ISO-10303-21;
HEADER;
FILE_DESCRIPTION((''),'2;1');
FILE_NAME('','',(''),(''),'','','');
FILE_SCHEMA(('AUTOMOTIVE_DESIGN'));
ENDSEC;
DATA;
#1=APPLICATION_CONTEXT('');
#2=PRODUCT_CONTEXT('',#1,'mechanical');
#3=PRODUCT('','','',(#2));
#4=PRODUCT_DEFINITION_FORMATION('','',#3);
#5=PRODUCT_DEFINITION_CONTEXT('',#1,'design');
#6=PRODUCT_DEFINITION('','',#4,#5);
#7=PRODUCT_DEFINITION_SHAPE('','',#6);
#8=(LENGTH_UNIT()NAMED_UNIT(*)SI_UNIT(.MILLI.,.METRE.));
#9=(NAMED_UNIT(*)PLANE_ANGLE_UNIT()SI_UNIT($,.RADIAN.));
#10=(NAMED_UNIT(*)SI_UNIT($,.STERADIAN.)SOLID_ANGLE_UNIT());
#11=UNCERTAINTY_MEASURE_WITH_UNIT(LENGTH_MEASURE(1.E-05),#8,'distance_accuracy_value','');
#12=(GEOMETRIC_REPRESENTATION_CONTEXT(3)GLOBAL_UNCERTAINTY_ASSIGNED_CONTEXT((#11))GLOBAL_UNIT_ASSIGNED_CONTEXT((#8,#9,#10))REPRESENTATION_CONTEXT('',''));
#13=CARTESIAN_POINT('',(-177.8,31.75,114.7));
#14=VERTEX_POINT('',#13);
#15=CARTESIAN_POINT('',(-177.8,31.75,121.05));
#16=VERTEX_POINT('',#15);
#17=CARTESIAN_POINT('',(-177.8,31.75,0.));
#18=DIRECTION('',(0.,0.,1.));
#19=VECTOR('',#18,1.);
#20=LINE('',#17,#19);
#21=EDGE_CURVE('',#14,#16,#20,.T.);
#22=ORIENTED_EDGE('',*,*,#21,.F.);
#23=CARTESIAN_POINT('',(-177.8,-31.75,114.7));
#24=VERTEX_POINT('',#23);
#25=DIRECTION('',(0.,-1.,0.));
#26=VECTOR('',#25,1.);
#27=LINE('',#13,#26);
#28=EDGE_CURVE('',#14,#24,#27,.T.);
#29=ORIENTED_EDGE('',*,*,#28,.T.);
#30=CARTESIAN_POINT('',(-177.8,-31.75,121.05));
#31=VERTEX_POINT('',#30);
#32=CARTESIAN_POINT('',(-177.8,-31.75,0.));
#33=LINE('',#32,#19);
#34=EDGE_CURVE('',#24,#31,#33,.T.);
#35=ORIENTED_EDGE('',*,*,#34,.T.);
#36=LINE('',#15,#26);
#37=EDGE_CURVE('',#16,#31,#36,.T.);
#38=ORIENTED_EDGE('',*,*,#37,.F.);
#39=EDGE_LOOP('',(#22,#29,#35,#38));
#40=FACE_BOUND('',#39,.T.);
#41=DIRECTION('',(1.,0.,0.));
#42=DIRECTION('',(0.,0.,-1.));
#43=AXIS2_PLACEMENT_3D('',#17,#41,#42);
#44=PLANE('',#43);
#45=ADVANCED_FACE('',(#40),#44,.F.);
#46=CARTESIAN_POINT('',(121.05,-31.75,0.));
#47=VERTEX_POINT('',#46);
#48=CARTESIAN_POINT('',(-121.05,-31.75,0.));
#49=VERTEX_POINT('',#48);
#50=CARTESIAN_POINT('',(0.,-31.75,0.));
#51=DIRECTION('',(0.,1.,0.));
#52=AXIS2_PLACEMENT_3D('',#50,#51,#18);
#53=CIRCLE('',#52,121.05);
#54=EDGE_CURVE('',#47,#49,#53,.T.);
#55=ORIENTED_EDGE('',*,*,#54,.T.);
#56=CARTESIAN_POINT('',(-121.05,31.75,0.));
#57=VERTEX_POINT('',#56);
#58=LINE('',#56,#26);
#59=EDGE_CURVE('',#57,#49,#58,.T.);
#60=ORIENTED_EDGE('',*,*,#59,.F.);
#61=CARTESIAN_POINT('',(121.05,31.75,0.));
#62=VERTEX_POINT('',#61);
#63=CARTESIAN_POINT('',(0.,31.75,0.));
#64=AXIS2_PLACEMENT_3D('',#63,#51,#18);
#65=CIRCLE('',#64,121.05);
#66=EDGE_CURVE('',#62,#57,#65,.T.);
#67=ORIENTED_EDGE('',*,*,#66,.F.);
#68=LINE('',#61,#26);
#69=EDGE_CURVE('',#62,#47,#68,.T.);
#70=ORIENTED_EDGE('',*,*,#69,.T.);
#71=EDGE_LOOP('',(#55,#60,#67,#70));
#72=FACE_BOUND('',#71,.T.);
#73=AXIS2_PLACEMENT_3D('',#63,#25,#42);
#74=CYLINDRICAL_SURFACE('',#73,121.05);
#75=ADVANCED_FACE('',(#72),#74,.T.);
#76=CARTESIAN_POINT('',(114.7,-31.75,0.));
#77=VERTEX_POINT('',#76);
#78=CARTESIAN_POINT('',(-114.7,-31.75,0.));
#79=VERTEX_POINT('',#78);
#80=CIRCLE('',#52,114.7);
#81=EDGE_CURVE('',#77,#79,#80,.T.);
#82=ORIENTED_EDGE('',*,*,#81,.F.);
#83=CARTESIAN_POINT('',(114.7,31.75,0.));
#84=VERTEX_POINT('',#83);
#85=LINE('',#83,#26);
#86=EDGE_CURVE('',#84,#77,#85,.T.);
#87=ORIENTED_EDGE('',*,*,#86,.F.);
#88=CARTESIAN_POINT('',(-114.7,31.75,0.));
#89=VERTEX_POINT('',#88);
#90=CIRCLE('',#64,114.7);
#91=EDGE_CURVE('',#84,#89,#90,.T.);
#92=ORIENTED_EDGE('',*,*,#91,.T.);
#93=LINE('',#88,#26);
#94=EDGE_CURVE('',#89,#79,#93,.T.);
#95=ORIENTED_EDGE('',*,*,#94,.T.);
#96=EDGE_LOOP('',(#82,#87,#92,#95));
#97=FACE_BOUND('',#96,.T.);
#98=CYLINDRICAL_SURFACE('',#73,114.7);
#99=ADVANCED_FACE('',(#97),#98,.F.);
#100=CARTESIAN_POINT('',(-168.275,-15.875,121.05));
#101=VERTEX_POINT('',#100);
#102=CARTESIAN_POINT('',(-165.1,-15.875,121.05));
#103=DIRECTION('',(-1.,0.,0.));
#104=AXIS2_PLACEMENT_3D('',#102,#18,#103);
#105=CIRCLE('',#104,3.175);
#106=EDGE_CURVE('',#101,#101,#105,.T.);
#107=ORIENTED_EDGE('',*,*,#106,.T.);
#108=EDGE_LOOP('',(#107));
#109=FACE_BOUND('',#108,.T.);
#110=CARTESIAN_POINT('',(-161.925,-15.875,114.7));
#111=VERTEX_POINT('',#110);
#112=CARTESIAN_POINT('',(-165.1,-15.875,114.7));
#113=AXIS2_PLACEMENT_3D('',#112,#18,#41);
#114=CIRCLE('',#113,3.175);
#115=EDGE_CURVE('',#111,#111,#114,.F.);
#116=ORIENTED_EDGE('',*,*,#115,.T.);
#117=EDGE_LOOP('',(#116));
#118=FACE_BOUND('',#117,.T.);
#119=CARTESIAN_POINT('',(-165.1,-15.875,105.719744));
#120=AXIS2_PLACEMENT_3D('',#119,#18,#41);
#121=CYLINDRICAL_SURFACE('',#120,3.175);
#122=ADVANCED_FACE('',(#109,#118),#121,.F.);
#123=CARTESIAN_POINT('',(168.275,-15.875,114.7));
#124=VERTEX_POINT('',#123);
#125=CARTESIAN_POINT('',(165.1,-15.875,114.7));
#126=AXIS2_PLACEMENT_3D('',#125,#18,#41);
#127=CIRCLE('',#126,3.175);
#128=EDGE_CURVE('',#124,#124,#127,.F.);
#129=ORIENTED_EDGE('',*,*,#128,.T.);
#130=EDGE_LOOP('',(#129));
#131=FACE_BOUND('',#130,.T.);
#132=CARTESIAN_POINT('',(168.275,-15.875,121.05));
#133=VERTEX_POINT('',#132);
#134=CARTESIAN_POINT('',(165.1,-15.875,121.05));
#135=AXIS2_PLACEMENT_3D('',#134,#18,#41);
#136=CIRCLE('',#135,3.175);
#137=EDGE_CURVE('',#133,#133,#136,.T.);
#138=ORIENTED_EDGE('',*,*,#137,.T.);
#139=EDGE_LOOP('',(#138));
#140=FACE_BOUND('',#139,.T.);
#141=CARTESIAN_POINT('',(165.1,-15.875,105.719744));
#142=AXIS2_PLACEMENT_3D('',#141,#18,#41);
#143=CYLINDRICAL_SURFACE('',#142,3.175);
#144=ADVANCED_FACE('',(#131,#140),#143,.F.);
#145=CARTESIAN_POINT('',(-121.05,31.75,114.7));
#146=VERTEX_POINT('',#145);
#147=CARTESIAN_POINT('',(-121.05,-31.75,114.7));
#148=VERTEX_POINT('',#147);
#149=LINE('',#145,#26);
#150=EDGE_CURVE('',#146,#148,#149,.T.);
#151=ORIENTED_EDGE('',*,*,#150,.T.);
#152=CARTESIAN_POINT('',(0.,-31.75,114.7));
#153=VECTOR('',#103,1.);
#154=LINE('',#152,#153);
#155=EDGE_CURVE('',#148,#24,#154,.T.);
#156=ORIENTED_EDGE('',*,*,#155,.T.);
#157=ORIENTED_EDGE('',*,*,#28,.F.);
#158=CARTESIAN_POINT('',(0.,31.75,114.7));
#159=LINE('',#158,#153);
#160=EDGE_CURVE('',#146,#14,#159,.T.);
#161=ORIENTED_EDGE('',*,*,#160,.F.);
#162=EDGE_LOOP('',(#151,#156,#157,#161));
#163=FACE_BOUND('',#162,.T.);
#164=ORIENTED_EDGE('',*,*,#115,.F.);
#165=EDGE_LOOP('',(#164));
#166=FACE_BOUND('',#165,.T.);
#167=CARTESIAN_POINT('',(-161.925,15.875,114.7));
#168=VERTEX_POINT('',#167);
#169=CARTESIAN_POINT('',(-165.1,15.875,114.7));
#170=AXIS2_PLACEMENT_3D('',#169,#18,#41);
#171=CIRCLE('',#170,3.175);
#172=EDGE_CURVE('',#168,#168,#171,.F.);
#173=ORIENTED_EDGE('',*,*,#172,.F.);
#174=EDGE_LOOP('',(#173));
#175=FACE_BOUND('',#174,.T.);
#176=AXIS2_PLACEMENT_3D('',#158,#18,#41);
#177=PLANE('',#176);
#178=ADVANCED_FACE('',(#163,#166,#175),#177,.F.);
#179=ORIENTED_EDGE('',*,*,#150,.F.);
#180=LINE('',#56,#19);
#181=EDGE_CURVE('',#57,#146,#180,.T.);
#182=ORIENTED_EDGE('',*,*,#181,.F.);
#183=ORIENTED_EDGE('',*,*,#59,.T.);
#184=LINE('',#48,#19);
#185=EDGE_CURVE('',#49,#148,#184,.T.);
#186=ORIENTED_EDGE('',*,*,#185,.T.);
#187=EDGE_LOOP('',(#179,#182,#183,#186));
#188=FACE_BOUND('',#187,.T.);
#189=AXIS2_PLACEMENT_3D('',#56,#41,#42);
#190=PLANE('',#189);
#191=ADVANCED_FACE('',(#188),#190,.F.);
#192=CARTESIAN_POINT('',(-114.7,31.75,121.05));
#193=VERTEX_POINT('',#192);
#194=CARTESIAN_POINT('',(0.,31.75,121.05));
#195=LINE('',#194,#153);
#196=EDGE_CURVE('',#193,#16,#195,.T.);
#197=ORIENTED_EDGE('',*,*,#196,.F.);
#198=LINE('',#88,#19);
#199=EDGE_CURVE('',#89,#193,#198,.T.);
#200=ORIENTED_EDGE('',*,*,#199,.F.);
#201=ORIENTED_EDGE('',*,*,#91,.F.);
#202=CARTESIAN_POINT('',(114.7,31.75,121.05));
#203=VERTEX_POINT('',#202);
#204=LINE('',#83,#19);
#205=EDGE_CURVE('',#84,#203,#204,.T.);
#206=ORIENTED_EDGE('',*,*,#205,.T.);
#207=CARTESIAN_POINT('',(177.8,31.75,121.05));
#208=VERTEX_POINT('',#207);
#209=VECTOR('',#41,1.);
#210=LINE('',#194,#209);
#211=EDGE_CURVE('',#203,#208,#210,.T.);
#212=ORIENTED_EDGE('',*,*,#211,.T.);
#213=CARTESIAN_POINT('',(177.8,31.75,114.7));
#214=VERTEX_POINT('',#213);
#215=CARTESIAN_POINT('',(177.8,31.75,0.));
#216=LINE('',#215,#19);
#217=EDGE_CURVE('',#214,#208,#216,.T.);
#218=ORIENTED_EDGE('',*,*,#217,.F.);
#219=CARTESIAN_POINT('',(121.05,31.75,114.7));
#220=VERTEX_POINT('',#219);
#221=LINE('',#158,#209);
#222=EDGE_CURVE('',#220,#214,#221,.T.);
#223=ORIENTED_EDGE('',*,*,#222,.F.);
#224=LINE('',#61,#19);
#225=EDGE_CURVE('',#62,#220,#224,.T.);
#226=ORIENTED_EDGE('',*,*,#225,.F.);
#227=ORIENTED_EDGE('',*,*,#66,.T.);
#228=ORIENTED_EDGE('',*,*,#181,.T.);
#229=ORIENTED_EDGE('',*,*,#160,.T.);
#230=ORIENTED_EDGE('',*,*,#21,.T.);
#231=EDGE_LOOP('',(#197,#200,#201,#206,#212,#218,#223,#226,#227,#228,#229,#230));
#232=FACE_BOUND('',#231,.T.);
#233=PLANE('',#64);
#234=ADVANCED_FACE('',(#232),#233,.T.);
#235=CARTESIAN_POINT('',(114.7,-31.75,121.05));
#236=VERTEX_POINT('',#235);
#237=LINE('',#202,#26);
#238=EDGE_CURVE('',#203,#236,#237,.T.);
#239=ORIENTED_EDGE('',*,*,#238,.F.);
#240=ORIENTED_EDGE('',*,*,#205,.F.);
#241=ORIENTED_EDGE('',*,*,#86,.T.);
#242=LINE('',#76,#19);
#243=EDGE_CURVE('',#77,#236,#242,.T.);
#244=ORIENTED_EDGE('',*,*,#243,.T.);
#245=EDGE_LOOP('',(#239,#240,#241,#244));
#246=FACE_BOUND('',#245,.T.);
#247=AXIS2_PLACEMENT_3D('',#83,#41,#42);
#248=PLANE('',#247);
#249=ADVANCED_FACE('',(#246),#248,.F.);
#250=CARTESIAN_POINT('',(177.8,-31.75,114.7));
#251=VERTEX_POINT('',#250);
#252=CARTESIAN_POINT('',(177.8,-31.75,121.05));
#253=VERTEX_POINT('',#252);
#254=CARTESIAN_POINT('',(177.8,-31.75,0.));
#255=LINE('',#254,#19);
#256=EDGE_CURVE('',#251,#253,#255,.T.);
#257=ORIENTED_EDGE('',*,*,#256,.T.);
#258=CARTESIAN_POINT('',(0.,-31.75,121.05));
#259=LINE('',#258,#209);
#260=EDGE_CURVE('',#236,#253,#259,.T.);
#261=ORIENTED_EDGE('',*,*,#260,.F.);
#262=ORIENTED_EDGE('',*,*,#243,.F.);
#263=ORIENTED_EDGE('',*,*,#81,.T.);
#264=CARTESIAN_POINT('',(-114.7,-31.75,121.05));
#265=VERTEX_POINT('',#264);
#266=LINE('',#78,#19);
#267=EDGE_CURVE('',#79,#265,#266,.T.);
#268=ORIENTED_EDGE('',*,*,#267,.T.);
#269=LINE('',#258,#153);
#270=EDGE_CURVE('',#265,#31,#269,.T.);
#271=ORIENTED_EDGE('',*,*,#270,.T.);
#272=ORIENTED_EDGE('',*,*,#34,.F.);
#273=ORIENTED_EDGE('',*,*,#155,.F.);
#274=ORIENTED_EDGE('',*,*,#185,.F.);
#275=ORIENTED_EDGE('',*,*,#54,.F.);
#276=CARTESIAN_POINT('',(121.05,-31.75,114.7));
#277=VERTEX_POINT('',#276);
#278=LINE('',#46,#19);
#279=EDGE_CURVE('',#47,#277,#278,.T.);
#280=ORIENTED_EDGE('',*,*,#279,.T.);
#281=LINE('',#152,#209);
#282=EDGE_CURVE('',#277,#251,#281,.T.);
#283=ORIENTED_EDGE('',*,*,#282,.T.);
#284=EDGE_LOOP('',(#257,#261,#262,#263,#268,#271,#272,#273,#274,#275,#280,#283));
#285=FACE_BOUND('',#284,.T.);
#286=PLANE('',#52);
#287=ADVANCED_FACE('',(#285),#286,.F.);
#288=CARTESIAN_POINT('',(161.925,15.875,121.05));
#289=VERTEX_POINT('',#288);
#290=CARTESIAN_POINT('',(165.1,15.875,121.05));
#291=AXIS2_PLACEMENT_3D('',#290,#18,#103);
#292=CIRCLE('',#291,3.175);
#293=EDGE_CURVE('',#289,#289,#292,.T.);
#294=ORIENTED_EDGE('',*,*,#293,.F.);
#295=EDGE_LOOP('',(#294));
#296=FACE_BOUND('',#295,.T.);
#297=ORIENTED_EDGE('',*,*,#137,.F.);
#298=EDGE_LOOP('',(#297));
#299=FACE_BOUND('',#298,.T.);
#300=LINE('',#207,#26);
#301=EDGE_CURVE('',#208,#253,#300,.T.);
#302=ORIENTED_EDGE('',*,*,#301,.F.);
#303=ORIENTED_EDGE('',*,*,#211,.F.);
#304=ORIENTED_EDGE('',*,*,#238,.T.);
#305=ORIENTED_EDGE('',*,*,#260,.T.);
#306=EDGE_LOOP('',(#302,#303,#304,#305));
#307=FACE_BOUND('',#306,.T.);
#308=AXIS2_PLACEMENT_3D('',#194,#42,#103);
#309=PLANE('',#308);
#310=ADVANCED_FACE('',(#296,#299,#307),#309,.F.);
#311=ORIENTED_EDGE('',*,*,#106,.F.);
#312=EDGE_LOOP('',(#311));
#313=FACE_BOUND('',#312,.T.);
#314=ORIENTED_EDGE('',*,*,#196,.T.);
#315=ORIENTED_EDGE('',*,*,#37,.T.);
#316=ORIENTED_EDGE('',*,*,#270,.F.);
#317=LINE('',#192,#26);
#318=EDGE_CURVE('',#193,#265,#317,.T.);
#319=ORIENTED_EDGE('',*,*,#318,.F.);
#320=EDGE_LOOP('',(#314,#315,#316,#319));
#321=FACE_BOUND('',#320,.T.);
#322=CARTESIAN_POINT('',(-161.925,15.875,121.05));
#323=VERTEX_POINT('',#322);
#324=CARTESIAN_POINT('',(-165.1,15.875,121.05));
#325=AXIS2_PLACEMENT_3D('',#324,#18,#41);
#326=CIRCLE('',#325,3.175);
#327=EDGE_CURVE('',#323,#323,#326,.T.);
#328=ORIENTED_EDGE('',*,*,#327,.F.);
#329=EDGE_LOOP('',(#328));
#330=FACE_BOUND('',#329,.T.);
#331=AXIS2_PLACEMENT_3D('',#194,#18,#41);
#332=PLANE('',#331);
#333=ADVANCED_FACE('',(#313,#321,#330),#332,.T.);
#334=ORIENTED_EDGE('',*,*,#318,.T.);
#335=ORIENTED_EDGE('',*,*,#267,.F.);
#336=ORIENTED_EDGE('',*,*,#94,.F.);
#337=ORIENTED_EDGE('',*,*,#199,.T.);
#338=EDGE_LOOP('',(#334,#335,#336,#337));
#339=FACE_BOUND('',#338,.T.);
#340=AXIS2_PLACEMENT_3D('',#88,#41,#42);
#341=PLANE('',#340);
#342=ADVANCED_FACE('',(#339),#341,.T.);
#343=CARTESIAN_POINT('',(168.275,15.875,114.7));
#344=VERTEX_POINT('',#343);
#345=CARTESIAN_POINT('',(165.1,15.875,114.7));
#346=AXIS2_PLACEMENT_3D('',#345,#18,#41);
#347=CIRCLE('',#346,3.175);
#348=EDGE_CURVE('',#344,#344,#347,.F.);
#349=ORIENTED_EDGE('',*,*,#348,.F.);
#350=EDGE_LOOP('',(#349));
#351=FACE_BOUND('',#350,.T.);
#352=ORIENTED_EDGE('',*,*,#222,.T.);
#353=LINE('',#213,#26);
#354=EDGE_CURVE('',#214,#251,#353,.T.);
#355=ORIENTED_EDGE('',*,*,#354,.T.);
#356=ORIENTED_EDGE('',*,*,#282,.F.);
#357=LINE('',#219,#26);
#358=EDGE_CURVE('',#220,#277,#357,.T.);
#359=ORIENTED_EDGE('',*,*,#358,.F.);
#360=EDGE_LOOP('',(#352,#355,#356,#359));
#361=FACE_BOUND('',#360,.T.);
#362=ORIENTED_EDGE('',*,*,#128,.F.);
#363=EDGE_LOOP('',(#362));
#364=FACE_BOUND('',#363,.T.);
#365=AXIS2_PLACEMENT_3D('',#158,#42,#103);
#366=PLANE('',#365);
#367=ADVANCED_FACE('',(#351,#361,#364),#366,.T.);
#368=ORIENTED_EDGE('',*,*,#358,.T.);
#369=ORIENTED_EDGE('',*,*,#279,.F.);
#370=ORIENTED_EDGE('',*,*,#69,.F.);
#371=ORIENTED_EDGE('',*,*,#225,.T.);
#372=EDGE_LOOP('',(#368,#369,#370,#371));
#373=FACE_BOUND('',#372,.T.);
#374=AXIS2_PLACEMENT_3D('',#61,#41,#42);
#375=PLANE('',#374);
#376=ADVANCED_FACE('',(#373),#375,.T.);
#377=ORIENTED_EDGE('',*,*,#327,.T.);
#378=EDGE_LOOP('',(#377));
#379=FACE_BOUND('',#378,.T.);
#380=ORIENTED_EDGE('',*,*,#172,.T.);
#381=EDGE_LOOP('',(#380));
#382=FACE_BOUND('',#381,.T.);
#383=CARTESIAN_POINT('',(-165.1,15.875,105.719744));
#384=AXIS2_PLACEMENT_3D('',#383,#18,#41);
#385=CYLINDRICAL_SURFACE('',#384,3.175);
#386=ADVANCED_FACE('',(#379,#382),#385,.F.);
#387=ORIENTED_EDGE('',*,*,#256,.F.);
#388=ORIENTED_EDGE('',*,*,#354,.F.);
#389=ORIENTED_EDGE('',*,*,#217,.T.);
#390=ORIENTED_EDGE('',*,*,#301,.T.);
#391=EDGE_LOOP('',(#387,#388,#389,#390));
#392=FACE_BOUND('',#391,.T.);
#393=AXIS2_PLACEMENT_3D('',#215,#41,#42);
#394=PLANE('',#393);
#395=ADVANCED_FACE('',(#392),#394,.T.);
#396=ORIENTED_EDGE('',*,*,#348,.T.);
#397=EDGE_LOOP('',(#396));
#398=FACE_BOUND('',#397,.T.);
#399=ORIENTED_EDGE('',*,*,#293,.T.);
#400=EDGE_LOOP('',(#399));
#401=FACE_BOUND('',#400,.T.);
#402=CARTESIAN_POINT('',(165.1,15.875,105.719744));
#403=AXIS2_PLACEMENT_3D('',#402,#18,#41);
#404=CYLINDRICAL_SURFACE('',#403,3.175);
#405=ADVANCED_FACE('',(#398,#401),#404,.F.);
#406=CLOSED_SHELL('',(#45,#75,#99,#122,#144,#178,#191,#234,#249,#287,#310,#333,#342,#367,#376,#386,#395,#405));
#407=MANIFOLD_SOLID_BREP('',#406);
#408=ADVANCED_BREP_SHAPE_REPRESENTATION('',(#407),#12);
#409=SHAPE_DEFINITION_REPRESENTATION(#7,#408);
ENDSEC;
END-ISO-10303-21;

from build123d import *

# Parameters (mm, degrees)
BOSS_EXTRUDE1_DEPTH = 31.75
SKETCH3_R           = 3.175
CUT_EXTRUDE2_DEPTH  = 6.35


with BuildPart() as part:
    # Sketch1 → Boss-Extrude1 (new, symmetric)
    with BuildSketch(Plane(origin=(0, 0, 0), x_dir=(1, 0, 0), z_dir=(0, 1, 0))):
        with BuildLine():
            Line((-114.7, -121.05), (-114.7, 0))
            ThreePointArc((-114.7, 0), (0, 114.7), (114.7, 0))
            Line((114.7, 0), (114.7, -121.05))
            Line((114.7, -121.05), (177.8, -121.05))
            Line((177.8, -121.05), (177.8, -114.7))
            Line((177.8, -114.7), (121.05, -114.7))
            Line((121.05, -114.7), (121.05, 0))
            ThreePointArc((121.05, 0), (0, 121.05), (-121.05, 0))
            Line((-121.05, 0), (-121.05, -12.7))
            Line((-121.05, -12.7), (-121.05, -114.7))
            Line((-121.05, -114.7), (-177.8, -114.7))
            Line((-177.8, -114.7), (-177.8, -121.05))
            Line((-177.8, -121.05), (-114.7, -121.05))
        make_face()
    extrude(amount=BOSS_EXTRUDE1_DEPTH, both=True)

    # Sketch3 → Cut-Extrude2 (cut)
    with BuildSketch(Plane.XY.offset(121.05)):
        with Locations((-165.1, 15.875)):
            Circle(SKETCH3_R)
        with Locations((-165.1, -15.875)):
            Circle(SKETCH3_R)
        with Locations((165.1, -15.875)):
            Circle(SKETCH3_R)
        with Locations((165.1, 15.875)):
            Circle(SKETCH3_R)
    extrude(amount=-CUT_EXTRUDE2_DEPTH, mode=Mode.SUBTRACT)


solid = part.part
